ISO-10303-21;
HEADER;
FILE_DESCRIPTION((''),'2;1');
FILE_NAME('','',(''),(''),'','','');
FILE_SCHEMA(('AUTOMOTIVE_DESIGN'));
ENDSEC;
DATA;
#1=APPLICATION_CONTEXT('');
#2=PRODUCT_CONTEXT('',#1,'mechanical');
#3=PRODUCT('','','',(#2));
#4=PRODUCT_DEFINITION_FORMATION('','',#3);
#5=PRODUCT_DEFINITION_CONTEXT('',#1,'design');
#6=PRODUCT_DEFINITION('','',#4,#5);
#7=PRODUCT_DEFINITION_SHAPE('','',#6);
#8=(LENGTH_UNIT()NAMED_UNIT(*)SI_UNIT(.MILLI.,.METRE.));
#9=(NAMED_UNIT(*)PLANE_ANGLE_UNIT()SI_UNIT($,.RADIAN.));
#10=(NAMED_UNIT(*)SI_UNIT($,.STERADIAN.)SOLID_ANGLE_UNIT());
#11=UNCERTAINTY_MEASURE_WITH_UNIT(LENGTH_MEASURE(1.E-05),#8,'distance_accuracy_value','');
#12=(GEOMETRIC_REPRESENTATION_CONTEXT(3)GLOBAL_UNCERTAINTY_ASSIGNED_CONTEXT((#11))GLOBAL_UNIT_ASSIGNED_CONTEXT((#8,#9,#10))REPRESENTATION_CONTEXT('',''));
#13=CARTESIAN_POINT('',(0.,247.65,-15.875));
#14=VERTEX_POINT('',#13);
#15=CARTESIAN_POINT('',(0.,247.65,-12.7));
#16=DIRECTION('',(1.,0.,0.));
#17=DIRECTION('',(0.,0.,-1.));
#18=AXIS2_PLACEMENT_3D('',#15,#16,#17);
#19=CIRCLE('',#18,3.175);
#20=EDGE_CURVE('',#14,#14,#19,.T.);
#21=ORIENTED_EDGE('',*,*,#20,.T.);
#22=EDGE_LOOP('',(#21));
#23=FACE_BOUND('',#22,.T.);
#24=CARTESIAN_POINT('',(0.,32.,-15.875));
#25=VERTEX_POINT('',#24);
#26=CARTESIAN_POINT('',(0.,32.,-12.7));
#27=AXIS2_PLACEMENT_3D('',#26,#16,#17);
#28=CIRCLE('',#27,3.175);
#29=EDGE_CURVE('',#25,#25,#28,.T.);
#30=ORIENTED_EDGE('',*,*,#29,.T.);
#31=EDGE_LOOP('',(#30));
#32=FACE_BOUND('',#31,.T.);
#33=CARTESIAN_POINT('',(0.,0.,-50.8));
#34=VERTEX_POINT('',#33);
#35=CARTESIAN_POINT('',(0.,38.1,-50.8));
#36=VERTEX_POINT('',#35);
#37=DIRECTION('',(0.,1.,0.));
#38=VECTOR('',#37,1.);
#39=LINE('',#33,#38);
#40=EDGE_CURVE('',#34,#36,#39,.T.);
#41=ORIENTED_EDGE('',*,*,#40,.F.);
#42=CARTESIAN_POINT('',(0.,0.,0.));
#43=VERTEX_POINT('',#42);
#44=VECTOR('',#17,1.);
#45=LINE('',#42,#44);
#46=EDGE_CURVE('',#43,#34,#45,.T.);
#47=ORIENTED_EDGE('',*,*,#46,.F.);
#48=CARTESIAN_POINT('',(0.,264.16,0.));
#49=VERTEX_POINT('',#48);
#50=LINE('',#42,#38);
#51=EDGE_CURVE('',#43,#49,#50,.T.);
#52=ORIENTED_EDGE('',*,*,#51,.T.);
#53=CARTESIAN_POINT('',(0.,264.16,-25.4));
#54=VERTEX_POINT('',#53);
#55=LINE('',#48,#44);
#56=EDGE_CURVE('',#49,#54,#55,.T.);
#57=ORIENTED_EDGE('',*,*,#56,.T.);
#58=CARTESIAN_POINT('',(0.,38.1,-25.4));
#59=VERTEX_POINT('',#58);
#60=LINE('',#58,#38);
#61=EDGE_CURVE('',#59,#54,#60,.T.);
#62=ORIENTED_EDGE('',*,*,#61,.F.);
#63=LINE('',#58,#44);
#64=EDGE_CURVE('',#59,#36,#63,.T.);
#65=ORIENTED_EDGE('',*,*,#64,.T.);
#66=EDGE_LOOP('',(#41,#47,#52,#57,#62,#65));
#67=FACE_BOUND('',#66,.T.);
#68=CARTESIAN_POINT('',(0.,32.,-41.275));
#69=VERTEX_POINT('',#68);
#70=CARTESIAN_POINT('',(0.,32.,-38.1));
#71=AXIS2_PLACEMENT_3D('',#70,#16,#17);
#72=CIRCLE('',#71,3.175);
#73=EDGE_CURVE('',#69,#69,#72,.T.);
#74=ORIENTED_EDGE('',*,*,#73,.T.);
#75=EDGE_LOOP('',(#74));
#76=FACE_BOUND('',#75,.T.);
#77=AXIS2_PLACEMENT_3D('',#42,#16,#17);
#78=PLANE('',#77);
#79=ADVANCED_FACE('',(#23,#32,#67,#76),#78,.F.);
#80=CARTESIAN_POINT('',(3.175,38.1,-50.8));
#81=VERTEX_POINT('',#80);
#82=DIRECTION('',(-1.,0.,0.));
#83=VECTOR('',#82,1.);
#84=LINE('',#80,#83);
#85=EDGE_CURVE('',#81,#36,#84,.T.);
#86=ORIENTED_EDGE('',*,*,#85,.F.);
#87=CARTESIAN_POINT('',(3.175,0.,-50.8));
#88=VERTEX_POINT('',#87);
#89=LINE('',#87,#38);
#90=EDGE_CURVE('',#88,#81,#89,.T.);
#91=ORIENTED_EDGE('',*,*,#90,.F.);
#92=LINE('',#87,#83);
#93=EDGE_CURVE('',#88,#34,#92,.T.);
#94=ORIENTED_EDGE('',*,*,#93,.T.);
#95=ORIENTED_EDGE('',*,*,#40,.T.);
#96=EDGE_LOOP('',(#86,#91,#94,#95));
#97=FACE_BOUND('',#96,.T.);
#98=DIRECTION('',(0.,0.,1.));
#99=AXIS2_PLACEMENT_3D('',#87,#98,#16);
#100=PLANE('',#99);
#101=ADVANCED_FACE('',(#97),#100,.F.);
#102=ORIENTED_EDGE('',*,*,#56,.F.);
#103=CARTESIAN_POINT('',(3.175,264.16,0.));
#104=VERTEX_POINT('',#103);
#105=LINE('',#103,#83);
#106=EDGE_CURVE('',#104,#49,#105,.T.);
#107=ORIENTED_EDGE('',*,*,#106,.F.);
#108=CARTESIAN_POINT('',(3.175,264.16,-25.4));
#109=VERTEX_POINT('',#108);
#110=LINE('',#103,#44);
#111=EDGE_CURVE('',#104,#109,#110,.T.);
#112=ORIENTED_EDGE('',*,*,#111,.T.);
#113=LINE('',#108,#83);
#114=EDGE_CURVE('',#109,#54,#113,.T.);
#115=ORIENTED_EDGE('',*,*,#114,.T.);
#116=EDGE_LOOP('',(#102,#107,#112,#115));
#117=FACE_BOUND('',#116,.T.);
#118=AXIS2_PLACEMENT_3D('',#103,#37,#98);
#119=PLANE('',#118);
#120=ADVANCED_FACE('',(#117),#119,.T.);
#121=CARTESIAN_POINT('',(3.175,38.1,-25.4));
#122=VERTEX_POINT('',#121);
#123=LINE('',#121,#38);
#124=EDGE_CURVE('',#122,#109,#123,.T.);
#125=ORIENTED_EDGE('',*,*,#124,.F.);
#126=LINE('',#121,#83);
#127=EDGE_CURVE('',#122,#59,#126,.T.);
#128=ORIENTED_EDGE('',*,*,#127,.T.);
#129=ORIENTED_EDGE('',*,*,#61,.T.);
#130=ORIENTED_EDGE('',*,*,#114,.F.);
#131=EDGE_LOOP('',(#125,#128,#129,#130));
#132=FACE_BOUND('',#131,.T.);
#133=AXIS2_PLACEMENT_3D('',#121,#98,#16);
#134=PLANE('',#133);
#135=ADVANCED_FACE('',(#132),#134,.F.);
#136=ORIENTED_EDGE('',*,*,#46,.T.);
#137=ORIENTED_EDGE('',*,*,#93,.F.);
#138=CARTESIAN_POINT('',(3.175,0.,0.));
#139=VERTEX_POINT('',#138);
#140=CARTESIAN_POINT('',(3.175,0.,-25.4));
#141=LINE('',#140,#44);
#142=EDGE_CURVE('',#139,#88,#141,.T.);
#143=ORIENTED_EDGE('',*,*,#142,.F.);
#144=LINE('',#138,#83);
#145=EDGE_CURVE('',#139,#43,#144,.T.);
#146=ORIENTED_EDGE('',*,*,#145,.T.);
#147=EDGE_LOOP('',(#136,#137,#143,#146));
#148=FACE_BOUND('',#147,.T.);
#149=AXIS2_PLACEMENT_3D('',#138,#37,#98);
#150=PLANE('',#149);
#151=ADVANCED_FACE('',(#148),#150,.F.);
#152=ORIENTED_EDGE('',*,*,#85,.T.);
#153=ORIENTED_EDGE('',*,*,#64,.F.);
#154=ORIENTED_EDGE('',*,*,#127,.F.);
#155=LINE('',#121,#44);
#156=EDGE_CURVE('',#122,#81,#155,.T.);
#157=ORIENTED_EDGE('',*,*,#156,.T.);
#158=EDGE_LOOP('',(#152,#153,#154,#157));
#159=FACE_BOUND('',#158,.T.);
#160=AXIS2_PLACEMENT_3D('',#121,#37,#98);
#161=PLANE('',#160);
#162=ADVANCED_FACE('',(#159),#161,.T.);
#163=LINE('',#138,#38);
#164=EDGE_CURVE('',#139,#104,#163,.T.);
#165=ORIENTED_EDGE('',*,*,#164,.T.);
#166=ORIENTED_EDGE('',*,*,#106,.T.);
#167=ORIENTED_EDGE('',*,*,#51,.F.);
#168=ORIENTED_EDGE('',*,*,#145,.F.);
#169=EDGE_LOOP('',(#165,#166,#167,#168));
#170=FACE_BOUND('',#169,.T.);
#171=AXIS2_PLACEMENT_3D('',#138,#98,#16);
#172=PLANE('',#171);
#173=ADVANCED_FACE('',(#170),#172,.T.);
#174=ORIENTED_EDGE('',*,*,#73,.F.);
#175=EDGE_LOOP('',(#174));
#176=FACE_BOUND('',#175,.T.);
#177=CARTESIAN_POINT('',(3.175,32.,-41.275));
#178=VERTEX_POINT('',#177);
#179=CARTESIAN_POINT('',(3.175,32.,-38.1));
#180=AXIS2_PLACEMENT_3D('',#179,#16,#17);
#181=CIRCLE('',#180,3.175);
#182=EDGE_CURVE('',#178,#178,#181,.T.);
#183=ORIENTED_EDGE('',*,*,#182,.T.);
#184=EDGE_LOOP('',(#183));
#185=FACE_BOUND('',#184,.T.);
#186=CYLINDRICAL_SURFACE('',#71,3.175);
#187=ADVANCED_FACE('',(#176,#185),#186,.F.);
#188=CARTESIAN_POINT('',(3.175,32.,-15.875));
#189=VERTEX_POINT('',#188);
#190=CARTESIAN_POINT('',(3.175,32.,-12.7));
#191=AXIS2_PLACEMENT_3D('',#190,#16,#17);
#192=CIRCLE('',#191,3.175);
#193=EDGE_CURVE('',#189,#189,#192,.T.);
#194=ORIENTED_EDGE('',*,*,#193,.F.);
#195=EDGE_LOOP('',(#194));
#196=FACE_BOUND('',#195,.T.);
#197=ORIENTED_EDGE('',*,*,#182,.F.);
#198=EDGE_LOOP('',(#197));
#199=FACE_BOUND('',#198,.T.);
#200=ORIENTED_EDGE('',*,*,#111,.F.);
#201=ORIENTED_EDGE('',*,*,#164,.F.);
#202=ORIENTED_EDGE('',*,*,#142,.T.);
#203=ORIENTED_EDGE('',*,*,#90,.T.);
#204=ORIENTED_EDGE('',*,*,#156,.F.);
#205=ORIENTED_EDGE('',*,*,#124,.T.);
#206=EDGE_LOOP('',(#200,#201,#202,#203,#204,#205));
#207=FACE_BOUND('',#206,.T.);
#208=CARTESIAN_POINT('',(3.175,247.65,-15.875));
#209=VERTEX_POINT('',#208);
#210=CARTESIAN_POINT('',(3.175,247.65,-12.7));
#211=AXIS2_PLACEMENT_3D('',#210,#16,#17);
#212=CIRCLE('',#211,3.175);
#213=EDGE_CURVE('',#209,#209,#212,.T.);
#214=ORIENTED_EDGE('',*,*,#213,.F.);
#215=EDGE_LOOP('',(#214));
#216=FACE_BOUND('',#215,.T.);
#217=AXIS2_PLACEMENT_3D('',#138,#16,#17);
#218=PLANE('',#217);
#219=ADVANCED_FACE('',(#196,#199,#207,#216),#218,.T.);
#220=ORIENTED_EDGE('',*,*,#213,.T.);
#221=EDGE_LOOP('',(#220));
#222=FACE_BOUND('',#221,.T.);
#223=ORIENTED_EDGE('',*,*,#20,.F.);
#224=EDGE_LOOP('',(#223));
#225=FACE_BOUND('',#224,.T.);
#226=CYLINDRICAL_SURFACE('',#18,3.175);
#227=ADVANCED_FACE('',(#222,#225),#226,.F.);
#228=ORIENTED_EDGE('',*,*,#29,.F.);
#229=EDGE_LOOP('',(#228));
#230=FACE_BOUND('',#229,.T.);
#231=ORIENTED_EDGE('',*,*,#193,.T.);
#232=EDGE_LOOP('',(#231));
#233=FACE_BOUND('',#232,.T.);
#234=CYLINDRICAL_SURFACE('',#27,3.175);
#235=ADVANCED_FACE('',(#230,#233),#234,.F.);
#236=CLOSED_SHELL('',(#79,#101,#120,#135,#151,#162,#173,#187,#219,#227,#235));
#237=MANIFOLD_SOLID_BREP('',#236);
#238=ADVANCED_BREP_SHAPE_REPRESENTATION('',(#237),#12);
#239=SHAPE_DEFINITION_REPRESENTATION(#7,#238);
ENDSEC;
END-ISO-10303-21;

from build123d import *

# Parameters (mm, degrees)
BOSS_EXTRUDE1_DEPTH = 3.175
SKETCH2_R           = 3.175
CUT_EXTRUDE1_DEPTH  = 3.175


with BuildPart() as part:
    # Sketch1 → Boss-Extrude1 (new body)
    with BuildSketch(Plane(origin=(0, 0, 0), x_dir=(0, 0, -1), z_dir=(1, 0, 0))):
        Polygon((0, 0), (25.4, 0), (50.8, 0), (50.8, 38.1), (25.4, 38.1), (25.4, 264.16), (0, 264.16), align=None)
    extrude(amount=BOSS_EXTRUDE1_DEPTH)

    # Sketch2 → Cut-Extrude1 (cut)
    with BuildSketch(Plane(origin=(3.175, 0, 0), x_dir=(0, 0, -1), z_dir=(1, 0, 0))):
        with Locations((12.7, 247.65)):
            Circle(SKETCH2_R)
        with Locations((38.1, 32)):
            Circle(SKETCH2_R)
        with Locations((12.7, 32)):
            Circle(SKETCH2_R)
    extrude(amount=-CUT_EXTRUDE1_DEPTH, mode=Mode.SUBTRACT)


solid = part.part
